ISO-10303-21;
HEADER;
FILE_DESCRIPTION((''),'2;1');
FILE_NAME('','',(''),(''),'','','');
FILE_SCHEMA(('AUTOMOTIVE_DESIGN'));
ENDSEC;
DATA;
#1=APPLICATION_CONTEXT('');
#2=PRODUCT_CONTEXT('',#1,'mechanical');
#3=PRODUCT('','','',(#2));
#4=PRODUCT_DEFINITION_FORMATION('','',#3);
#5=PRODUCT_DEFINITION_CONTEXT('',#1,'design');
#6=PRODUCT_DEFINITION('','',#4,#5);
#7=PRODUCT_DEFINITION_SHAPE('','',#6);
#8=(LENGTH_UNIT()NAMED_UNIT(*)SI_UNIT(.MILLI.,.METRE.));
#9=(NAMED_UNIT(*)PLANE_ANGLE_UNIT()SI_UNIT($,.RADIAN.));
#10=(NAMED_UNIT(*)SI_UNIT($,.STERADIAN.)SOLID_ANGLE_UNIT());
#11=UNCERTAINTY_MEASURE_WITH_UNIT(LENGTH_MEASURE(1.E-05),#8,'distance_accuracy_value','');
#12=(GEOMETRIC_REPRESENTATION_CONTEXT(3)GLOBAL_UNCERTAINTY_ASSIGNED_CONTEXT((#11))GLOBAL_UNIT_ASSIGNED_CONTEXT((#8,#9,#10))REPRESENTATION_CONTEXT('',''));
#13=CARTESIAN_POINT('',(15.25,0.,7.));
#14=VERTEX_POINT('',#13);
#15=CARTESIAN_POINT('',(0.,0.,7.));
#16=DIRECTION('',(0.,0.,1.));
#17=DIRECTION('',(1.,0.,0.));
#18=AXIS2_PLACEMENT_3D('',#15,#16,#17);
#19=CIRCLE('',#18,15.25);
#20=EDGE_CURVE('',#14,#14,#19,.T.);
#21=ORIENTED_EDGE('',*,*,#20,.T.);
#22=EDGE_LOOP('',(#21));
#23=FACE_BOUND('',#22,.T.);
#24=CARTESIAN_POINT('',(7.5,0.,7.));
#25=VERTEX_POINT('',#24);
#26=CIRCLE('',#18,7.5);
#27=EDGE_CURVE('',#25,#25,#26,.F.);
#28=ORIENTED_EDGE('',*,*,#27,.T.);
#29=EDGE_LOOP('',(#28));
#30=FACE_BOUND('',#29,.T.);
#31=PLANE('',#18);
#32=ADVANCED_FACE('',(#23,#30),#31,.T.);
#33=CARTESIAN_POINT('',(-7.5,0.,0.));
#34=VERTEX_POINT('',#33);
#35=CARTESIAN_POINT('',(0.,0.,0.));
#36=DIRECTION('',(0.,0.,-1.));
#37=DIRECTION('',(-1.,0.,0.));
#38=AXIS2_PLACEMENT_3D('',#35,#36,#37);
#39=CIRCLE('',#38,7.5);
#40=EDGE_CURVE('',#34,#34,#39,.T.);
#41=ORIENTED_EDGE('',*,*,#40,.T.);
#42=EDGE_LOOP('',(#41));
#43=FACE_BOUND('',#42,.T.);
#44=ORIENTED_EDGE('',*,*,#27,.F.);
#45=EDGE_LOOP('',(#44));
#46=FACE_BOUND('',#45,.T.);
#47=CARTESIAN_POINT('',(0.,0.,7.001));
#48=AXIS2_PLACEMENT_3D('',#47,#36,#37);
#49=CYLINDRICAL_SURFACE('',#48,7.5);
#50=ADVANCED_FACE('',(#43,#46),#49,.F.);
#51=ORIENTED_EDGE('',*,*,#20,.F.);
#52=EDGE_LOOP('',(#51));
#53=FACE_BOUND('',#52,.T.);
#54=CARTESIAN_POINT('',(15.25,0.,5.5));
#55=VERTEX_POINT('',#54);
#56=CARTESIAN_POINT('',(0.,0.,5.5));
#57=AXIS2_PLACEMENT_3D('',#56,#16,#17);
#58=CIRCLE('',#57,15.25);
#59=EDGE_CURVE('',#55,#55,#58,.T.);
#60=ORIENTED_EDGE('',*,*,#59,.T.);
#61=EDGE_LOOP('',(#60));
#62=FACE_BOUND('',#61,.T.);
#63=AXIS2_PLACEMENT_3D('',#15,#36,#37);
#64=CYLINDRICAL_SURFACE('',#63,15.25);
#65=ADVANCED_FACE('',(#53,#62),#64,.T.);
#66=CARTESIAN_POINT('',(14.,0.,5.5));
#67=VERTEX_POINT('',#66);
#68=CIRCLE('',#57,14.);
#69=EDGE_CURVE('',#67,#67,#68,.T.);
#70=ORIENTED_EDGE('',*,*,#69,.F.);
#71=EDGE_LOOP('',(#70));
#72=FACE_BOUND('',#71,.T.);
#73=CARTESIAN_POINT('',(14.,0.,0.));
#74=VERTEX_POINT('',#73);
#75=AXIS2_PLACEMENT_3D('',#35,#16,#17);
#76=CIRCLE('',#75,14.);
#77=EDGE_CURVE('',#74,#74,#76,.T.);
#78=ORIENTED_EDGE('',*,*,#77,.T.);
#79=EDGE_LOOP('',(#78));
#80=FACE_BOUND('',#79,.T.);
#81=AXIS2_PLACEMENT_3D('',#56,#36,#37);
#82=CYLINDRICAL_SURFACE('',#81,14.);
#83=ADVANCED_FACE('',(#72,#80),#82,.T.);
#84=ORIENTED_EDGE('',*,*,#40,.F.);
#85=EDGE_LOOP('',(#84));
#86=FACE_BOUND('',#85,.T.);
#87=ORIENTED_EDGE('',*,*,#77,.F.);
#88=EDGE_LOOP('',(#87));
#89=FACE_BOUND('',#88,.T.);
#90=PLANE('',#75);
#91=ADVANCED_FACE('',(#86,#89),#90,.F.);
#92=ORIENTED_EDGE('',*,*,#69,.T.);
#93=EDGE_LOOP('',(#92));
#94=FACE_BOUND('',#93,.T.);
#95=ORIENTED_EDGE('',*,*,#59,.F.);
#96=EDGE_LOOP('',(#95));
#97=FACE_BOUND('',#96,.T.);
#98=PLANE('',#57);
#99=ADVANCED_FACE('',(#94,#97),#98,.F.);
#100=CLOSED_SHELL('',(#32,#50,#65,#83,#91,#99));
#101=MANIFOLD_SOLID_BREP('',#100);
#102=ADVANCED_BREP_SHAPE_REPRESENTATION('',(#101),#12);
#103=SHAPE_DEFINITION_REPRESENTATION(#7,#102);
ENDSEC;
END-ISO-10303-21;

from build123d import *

# Parameters (mm, degrees)
SKETCH_1_R          = 14
EXTRUDE_1_DEPTH     = 5.5
SKETCH_2_R          = 15.25
EXTRUDE_2_DEPTH     = 1.5
CUT_EXTRUDE_1_REACH = 9
SKETCH_3_R          = 7.5


with BuildPart() as part:
    # 草图1 → 凸台-拉伸1 (new body)
    with BuildSketch(Plane.XY):
        Circle(SKETCH_1_R)
    extrude(amount=EXTRUDE_1_DEPTH)

    # 草图2 → 凸台-拉伸2 (add)
    with BuildSketch(Plane.XY.offset(5.5)):
        Circle(SKETCH_2_R)
    extrude(amount=EXTRUDE_2_DEPTH)

    # 草图3 → 切除-拉伸1 (cut, up to next)
    with BuildSketch(Plane(origin=(0, 0, 0), x_dir=(-1, 0, 0), z_dir=(0, 0, -1)), mode=Mode.PRIVATE) as cut_extrude_1_sk1:
        Circle(SKETCH_3_R)
    cut_extrude_1_tool1 = extrude(cut_extrude_1_sk1.sketch, amount=-CUT_EXTRUDE_1_REACH, mode=Mode.PRIVATE) & part.part
    add(cut_extrude_1_tool1.solids().sort_by_distance((0, 0, 0))[0], mode=Mode.SUBTRACT)


solid = part.part
